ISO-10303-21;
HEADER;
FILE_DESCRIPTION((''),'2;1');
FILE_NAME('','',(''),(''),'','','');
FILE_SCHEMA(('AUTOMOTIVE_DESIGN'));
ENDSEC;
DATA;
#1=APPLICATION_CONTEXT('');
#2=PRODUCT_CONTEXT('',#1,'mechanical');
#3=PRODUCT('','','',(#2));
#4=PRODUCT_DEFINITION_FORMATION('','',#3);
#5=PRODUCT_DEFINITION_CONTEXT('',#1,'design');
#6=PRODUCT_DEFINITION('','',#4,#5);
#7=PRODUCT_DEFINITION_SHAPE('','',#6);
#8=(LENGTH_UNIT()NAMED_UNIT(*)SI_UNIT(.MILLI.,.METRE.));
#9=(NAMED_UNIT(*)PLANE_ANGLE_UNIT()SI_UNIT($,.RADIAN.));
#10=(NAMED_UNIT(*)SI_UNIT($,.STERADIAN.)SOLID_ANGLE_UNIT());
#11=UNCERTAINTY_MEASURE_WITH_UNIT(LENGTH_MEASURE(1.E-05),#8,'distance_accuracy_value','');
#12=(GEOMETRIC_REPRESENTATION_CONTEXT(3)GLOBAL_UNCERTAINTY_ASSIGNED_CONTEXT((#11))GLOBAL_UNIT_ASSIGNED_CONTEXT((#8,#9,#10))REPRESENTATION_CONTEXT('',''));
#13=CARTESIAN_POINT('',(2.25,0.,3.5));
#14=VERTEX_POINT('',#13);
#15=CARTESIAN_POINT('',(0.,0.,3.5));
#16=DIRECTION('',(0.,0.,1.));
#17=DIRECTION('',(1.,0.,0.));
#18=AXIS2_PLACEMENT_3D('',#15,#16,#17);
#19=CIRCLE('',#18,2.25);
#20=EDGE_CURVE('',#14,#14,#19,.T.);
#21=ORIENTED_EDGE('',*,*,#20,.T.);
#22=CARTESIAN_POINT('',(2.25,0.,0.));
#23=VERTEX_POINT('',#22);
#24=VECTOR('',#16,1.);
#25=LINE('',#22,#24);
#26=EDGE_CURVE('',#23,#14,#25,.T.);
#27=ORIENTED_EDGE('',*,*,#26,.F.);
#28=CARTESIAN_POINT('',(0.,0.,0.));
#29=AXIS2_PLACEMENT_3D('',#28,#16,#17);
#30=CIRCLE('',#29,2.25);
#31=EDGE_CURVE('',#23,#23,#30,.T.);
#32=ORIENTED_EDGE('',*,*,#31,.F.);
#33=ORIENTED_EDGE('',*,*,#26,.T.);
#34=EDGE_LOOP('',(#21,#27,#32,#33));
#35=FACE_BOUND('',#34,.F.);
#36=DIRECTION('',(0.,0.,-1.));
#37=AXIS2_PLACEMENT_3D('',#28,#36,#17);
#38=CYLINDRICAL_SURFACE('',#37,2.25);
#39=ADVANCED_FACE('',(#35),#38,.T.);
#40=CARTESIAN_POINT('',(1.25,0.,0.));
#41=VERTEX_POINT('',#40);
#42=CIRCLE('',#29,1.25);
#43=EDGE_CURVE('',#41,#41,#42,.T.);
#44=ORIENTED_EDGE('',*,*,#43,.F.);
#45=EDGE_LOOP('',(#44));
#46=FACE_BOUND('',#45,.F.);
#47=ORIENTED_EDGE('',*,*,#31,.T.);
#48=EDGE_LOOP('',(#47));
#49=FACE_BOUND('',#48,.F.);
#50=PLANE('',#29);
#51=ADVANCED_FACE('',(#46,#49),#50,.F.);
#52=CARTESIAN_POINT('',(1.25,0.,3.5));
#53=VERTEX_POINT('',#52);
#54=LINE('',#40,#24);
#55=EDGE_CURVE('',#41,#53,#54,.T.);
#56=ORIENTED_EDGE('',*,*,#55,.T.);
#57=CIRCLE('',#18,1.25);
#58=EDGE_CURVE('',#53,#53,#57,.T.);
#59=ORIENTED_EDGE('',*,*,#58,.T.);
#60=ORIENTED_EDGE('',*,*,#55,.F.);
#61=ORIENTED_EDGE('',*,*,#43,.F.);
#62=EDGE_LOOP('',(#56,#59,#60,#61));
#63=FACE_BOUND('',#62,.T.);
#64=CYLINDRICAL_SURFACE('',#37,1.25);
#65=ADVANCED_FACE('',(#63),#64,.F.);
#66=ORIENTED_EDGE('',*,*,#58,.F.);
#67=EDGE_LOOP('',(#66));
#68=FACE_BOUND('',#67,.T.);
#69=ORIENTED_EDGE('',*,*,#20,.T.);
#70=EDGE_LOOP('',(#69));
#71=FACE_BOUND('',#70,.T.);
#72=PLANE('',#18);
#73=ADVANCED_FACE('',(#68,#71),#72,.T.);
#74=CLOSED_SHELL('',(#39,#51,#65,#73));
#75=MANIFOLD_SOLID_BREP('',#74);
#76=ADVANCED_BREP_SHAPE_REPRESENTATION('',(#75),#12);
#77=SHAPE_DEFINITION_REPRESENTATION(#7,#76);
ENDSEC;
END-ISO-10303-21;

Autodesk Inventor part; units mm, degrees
ref_plane "YZ Plane" through (0, 0, 0) normal (1, 0, 0) x (0, 1, 0)
ref_plane "XZ Plane" through (0, 0, 0) normal (0, 1, 0) x (-1, 0, 0)
ref_plane "XY Plane" through (0, 0, 0) normal (0, 0, 1) x (1, 0, 0)
sketch "Skizze1" plane through (0, 0, 0) normal (0, 0, 1) x (1, 0, 0)
  circle A0 centre (0, 0) radius 1.25
  circle A1 centre (0, 0) radius 2.25
  dimension "d0" = 2.5
  dimension "d1" = 4.5
extrude "Extrusion1" add sketch "Skizze1" along normal blind 3.5
properties part number "6. Lagerbuchse"
